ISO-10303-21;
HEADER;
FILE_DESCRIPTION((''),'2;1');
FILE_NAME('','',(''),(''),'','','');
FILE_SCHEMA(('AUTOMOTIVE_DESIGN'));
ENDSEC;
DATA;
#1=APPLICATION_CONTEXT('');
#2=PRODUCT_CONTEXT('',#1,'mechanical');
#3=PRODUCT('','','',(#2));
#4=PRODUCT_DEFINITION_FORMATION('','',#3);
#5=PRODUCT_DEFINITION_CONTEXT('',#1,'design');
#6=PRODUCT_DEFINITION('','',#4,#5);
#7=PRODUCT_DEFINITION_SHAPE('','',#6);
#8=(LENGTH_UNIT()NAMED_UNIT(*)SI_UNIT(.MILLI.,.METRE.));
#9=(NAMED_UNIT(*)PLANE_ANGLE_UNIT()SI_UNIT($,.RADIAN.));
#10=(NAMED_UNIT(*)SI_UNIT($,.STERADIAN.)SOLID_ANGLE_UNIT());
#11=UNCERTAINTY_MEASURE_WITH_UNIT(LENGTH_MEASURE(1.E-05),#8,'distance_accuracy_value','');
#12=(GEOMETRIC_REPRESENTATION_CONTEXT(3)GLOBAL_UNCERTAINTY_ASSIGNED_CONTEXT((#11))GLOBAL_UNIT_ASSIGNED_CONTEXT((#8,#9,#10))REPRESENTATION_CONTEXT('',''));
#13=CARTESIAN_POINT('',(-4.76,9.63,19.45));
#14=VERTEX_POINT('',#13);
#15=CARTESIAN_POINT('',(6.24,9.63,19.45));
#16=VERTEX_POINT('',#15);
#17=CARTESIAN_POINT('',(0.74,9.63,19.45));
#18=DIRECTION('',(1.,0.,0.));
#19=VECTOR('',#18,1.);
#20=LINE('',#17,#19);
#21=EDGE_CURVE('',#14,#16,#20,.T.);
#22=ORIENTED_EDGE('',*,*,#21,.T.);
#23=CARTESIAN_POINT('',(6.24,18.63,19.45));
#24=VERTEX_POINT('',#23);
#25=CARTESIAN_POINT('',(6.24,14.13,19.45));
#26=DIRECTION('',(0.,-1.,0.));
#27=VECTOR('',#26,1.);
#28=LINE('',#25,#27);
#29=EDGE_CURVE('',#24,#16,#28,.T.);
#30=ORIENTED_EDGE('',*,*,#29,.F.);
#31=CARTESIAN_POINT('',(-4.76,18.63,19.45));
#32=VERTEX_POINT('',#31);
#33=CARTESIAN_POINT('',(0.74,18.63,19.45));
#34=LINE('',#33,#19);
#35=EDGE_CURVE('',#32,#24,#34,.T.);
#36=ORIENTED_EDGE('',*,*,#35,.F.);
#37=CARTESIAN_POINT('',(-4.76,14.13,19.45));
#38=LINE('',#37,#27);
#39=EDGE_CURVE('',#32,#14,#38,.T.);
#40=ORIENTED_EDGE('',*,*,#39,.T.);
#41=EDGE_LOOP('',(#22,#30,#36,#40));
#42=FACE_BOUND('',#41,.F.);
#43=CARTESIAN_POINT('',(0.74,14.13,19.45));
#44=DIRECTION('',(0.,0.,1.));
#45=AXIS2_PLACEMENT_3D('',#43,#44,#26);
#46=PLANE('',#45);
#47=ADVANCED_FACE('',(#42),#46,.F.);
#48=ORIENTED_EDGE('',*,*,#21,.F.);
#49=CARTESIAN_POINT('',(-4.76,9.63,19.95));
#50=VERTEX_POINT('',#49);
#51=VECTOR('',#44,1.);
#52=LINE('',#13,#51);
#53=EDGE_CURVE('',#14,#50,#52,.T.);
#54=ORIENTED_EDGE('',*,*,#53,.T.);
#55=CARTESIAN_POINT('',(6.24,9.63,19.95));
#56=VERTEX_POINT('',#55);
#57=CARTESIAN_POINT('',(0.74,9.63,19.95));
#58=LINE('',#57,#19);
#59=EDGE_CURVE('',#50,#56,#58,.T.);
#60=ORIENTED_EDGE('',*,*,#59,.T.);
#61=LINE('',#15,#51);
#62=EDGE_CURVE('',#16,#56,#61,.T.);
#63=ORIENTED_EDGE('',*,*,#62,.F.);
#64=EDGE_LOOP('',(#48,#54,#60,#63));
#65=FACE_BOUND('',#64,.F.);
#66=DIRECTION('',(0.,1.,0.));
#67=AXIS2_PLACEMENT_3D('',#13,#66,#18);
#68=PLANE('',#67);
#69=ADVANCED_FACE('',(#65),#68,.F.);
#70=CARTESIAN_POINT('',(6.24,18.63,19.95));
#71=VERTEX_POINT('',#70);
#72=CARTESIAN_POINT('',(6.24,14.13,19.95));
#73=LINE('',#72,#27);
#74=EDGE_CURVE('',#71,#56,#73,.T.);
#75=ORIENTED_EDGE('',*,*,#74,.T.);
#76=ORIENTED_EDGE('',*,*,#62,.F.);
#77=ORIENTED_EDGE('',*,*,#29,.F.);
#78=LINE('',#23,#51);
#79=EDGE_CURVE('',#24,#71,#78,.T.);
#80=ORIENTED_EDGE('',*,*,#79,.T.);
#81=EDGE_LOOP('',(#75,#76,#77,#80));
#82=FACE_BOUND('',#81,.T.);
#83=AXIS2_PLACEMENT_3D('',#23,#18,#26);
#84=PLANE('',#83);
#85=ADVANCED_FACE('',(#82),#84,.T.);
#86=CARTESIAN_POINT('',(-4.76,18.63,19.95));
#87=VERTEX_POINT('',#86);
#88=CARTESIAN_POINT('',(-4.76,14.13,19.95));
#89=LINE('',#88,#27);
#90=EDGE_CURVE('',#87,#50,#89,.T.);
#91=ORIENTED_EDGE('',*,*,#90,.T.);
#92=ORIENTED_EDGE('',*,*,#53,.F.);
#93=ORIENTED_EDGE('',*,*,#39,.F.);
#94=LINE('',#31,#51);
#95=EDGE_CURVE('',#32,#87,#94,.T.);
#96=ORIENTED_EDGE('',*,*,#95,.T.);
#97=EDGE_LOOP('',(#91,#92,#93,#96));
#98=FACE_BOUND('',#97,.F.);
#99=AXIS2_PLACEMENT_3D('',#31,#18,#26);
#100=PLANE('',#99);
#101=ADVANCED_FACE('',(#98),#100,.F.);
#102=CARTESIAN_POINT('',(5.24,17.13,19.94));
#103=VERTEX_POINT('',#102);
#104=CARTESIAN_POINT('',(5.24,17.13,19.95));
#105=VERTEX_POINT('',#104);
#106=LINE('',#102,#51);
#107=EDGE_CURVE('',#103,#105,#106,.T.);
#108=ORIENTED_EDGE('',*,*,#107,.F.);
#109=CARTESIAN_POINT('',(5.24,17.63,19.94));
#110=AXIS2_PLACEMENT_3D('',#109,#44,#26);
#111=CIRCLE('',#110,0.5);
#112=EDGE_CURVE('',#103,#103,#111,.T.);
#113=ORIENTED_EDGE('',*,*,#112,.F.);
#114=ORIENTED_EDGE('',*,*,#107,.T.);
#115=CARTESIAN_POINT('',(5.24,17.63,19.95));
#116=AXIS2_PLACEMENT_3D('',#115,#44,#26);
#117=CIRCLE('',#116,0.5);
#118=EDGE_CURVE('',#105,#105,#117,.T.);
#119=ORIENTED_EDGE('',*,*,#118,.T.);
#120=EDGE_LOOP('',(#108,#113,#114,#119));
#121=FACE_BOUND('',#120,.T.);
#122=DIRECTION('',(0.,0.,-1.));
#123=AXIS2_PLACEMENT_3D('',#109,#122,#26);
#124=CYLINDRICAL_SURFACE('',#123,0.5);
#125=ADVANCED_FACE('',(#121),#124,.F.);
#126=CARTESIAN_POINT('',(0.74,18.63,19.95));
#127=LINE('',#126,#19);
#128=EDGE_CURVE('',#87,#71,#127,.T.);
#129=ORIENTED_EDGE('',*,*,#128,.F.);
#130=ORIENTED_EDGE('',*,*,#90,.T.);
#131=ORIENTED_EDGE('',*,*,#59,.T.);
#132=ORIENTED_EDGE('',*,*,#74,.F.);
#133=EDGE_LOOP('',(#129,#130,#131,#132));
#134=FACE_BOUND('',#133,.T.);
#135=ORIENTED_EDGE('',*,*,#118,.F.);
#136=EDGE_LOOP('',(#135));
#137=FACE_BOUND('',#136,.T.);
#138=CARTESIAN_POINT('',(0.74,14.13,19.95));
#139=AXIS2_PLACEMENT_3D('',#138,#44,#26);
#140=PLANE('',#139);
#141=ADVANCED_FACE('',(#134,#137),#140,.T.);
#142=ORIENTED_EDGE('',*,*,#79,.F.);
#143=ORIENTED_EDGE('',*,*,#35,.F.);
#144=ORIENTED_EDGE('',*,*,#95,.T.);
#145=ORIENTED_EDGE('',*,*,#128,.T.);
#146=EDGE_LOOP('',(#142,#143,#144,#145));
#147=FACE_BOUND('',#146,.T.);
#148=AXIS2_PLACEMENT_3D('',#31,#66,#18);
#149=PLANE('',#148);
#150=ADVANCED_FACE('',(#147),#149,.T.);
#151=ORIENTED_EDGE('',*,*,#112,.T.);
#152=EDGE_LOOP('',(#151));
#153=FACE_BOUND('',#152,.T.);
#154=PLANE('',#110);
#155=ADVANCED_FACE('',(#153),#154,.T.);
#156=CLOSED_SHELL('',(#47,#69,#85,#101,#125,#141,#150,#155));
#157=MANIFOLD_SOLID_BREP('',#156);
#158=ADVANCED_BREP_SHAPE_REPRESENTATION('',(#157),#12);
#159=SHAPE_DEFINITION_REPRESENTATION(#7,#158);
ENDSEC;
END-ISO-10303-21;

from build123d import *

# Parameters (mm, degrees)
CYLINDER025_R          = 0.5
CYLINDER025_DEPTH      = 0.01
BOX070_W               = 9
BOX070_H               = 11
BOX070_DEPTH           = 0.5
CUT018_PLACEMENT_ANGLE = 270


with BuildPart() as cylinder025:
    # Cylinder025 → Cylinder025 (new body)
    with BuildSketch(Plane(origin=(1, 10, 0.49), x_dir=(1, 0, 0), z_dir=(0, 0, 1))):
        Circle(CYLINDER025_R)
    extrude(amount=CYLINDER025_DEPTH)


with BuildPart() as large_linbo3_plate009:
    # Box070 → Box070 (new body)
    with BuildSketch(Plane.XY):
        with Locations((4.5, 5.5)):
            Rectangle(BOX070_W, BOX070_H)
    extrude(amount=BOX070_DEPTH)

    # Cut018: cut Cylinder025
    add(cylinder025.part, mode=Mode.SUBTRACT)


with BuildPart() as large_linbo3_plate009_1:
    # Cut018 placement: moved
    add(large_linbo3_plate009.part.moved(Location((-4.76, 18.63, 19.45))).rotate(Axis((-4.76, 18.63, 19.45), (0, 0, 1)), CUT018_PLACEMENT_ANGLE))


solid = large_linbo3_plate009_1.part
